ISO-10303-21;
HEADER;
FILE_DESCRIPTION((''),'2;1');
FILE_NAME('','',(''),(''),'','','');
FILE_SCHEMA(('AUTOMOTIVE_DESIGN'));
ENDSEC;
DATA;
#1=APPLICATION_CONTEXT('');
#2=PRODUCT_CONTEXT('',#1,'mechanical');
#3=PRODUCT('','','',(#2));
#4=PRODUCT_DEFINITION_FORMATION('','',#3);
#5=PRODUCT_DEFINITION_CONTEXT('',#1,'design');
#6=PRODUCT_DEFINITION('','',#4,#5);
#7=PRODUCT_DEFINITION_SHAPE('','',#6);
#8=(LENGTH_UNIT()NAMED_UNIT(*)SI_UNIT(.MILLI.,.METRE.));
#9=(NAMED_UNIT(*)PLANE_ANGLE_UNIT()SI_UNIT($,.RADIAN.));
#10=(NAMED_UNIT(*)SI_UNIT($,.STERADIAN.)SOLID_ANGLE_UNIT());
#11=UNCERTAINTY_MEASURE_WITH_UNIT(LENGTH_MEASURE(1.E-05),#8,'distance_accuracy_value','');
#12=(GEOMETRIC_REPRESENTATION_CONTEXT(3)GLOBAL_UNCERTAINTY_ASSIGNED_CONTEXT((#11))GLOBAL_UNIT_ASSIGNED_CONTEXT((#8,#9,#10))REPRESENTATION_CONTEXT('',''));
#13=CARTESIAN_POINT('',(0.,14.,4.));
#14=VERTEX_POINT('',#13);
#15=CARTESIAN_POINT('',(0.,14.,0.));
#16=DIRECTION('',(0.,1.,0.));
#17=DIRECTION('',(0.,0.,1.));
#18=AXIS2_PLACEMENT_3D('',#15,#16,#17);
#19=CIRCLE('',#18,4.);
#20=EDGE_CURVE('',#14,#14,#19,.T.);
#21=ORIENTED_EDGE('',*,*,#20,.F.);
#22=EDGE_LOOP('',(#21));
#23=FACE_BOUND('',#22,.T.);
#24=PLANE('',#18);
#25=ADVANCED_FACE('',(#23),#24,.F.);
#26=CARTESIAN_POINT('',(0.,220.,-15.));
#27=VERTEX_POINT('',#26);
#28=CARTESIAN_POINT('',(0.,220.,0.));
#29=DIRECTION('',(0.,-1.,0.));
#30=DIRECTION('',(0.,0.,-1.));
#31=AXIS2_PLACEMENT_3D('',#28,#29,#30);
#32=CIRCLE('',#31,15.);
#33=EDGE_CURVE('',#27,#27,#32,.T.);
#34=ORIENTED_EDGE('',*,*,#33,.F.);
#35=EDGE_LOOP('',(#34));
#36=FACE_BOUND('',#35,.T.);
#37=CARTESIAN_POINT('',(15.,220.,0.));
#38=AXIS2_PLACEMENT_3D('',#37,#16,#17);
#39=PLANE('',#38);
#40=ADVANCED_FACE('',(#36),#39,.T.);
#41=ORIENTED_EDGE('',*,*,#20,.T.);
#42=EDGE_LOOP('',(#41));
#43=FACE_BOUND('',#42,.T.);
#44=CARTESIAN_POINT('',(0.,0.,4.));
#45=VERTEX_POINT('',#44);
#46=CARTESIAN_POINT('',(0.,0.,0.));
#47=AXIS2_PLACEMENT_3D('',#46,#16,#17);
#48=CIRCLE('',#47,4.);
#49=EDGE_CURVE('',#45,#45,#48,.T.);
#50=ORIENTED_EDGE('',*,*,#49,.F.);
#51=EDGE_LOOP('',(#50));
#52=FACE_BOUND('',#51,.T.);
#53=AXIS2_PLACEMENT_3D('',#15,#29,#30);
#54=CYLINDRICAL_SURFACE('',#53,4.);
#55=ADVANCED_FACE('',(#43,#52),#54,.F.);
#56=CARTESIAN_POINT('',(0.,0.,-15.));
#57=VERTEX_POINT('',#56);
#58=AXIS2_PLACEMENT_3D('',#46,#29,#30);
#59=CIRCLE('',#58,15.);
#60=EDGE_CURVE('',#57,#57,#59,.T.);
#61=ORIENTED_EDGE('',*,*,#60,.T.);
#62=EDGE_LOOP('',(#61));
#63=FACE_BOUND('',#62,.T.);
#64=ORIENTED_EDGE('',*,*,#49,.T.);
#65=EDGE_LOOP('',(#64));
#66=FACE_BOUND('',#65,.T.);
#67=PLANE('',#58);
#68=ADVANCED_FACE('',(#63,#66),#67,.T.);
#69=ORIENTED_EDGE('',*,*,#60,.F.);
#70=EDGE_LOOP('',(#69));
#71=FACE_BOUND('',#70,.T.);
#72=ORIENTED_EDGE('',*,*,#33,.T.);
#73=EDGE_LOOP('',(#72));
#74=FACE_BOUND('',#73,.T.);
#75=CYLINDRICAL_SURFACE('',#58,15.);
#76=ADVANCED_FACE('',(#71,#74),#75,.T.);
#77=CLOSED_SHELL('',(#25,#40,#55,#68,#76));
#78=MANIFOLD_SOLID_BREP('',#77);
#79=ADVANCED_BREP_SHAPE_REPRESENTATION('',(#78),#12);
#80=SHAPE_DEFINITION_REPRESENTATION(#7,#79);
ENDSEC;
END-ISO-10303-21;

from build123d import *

# Parameters (mm, degrees)
CROQUIS_PERFIL_W           = 15
CROQUIS_PERFIL_H           = 220
CROQUIS_AGUJEROS_MONTAJE_R = 4
AGUJERO_INSERTO_M6_DEPTH   = 14


with BuildPart() as part:
    # Croquis_perfil → Poste_D30x220 (revolve)
    with BuildSketch(Plane.XY, mode=Mode.PRIVATE) as poste_d30x220_sk:
        with Locations((7.5, 110)):
            Rectangle(CROQUIS_PERFIL_W, CROQUIS_PERFIL_H)
    revolve(poste_d30x220_sk.sketch.rotate(Axis((0, 0, 0), (0, 1, 0)), 90), axis=Axis((0, 0, 0), (0, 1, 0)))

    # Croquis_agujeros_montaje → Agujero_inserto_M6 (cut)
    with BuildSketch(Plane(origin=(0, 0, 0), x_dir=(1, 0, 0), z_dir=(0, 1, 0))):
        with Locations(Location((0, 0, 0), (0, 0, 270))):
            Circle(CROQUIS_AGUJEROS_MONTAJE_R)
    extrude(amount=AGUJERO_INSERTO_M6_DEPTH, mode=Mode.SUBTRACT)


solid = part.part
